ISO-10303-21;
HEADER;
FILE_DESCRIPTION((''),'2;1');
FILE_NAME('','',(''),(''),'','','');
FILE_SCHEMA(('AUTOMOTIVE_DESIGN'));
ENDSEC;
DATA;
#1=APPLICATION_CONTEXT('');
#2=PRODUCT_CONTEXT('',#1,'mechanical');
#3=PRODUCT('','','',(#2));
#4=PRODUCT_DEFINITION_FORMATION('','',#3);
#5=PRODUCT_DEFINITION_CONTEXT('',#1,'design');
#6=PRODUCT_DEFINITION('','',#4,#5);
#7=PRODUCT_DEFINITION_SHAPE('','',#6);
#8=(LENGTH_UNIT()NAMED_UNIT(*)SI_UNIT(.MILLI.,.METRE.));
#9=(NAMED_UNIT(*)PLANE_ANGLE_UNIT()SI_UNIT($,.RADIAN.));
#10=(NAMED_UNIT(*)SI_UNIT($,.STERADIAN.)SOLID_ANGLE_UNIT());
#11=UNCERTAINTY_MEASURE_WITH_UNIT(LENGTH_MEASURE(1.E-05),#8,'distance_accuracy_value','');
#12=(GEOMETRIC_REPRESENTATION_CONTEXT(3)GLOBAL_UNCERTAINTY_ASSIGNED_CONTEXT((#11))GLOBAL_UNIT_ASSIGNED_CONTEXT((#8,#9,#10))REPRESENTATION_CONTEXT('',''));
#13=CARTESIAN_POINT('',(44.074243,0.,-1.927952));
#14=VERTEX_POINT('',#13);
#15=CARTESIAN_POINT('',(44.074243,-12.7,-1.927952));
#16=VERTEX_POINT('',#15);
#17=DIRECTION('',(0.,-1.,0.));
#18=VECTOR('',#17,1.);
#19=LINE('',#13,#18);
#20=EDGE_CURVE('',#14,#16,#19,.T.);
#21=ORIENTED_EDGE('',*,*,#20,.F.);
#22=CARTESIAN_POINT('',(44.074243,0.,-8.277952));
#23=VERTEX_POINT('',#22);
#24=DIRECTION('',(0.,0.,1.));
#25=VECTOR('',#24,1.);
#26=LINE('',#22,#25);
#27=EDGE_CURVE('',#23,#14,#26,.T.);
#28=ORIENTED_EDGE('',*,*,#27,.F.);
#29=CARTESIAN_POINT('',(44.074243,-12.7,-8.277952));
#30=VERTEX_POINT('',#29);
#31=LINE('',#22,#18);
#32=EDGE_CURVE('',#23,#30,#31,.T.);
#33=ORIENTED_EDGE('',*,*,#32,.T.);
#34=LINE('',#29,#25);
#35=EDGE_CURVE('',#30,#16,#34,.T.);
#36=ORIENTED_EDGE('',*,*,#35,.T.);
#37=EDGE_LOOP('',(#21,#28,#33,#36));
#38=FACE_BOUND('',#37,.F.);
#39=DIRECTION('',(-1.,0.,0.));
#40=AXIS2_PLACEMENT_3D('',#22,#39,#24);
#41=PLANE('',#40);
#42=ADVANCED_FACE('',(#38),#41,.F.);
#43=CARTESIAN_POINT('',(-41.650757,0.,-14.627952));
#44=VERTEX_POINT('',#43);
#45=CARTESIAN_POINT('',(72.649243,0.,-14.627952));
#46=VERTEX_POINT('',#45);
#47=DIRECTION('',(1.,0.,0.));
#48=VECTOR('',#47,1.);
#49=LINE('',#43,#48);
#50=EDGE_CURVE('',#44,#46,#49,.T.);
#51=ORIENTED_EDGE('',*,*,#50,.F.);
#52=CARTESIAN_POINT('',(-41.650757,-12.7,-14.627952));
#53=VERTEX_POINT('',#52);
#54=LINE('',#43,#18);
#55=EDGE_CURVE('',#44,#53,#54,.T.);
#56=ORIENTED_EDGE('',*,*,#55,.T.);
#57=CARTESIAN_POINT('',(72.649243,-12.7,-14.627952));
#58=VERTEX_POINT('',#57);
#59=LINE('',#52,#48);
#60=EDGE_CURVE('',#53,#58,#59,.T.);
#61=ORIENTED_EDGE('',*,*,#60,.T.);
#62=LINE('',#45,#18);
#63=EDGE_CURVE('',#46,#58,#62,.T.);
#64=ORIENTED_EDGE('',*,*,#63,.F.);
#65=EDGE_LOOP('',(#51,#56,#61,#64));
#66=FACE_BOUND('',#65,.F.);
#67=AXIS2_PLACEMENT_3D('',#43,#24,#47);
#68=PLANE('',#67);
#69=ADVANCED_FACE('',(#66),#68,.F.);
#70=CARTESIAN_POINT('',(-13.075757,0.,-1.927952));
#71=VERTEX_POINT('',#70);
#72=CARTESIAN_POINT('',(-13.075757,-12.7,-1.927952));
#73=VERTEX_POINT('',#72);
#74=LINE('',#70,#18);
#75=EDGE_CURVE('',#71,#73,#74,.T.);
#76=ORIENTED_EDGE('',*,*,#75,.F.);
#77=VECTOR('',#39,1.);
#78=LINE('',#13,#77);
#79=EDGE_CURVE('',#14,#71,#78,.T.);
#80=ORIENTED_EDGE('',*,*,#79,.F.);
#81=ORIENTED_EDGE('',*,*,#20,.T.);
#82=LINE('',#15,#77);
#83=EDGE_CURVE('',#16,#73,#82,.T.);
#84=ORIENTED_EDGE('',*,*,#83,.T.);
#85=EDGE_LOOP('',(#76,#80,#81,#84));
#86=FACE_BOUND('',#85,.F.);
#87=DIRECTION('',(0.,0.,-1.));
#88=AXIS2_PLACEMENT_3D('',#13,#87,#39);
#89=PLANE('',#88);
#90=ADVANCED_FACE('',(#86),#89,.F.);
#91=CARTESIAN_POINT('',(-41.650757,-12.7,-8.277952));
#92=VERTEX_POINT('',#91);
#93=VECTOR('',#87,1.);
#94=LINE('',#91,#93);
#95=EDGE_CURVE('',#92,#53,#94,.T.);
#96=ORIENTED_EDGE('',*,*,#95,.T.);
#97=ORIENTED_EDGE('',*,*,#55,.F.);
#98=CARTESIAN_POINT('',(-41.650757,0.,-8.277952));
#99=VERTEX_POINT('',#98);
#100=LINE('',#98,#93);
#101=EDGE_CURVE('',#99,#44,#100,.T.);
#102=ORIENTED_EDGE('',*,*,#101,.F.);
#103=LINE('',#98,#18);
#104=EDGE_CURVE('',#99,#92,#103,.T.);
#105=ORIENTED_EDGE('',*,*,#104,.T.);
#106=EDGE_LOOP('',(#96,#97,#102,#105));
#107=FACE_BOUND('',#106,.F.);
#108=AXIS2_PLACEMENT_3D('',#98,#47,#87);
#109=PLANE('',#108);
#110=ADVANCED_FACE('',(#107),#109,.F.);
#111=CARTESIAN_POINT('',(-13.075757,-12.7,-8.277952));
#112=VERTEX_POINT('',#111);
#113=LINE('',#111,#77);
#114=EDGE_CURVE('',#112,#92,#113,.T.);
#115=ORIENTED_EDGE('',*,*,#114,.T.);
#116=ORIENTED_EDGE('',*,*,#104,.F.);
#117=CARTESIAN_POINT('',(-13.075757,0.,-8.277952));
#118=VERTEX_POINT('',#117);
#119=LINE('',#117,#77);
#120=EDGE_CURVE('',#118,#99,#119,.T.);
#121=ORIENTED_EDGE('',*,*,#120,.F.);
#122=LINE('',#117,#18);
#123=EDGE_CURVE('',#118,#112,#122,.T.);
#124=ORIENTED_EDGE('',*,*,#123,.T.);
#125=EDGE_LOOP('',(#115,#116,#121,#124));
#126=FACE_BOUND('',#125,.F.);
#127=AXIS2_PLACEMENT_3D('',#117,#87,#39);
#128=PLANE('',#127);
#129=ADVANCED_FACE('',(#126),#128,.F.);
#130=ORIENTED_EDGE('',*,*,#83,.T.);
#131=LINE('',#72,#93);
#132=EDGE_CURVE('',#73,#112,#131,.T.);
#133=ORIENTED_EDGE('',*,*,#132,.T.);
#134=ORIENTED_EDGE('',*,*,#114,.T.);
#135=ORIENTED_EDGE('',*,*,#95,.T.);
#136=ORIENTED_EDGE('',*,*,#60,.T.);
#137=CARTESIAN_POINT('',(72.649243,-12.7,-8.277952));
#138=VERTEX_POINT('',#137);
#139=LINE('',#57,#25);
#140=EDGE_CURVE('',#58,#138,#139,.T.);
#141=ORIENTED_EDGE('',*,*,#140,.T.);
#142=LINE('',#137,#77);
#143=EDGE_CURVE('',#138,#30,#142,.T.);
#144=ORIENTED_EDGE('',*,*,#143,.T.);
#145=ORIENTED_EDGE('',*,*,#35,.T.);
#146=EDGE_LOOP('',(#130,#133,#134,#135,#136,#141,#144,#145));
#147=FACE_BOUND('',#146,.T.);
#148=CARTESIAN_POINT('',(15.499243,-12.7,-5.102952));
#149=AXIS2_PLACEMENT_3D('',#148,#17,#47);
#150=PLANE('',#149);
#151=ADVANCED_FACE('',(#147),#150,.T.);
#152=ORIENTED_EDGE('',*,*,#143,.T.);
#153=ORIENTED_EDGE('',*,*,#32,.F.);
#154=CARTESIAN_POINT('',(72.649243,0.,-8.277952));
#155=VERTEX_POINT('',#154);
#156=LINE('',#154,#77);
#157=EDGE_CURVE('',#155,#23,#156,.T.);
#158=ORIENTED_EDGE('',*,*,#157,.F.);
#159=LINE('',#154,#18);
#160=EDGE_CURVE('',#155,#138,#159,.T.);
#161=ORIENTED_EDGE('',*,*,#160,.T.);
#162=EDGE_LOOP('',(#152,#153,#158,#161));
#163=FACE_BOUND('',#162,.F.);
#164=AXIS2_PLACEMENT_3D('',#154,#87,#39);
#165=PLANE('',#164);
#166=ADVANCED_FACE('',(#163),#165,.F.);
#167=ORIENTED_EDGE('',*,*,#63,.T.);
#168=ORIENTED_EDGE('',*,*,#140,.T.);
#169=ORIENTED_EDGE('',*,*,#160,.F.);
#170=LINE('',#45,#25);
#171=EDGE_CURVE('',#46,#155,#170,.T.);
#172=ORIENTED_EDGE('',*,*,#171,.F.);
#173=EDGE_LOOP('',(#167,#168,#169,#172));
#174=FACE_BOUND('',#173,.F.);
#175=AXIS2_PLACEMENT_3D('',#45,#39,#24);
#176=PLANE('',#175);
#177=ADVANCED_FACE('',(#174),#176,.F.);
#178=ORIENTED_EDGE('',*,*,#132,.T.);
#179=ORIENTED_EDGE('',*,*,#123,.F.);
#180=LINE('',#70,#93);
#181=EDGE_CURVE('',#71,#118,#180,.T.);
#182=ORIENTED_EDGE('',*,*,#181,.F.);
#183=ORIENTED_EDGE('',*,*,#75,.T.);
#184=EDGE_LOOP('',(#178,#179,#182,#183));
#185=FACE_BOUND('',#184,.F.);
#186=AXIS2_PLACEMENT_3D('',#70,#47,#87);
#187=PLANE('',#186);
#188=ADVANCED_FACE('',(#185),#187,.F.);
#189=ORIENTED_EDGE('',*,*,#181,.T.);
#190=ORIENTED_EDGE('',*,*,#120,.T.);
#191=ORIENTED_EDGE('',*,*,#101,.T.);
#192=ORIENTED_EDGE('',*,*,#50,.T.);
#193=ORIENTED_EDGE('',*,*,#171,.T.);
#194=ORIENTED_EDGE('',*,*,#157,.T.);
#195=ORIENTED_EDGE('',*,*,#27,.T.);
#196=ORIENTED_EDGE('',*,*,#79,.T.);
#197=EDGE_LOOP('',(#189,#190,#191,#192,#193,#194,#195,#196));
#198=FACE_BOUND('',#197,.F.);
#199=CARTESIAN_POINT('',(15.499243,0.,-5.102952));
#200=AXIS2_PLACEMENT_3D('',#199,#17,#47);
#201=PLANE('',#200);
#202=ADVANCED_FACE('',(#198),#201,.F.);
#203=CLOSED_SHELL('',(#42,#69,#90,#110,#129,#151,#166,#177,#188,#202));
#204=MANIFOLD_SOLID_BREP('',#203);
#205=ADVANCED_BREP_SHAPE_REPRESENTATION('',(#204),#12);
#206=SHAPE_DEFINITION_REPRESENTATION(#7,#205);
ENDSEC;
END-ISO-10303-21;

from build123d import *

# Parameters (mm, degrees)
F1_DEPTH = 12.7


with BuildPart() as f1:
    # F0 (on Front) → F1 (new body)
    with BuildSketch(Plane.XZ):
        Polygon((44.074243, -1.927952), (-13.075757, -1.927952), (-13.075757, -8.277952), (15.499243, -8.277952), (44.074243, -8.277952), align=None)
        Polygon((15.499243, -8.277952), (-13.075757, -8.277952), (-41.650757, -8.277952), (-41.650757, -14.627952), (15.499243, -14.627952), align=None)
        Polygon((72.649243, -8.277952), (44.074243, -8.277952), (15.499243, -8.277952), (15.499243, -14.627952), (72.649243, -14.627952), align=None)
    extrude(amount=F1_DEPTH)


solid = f1.part
